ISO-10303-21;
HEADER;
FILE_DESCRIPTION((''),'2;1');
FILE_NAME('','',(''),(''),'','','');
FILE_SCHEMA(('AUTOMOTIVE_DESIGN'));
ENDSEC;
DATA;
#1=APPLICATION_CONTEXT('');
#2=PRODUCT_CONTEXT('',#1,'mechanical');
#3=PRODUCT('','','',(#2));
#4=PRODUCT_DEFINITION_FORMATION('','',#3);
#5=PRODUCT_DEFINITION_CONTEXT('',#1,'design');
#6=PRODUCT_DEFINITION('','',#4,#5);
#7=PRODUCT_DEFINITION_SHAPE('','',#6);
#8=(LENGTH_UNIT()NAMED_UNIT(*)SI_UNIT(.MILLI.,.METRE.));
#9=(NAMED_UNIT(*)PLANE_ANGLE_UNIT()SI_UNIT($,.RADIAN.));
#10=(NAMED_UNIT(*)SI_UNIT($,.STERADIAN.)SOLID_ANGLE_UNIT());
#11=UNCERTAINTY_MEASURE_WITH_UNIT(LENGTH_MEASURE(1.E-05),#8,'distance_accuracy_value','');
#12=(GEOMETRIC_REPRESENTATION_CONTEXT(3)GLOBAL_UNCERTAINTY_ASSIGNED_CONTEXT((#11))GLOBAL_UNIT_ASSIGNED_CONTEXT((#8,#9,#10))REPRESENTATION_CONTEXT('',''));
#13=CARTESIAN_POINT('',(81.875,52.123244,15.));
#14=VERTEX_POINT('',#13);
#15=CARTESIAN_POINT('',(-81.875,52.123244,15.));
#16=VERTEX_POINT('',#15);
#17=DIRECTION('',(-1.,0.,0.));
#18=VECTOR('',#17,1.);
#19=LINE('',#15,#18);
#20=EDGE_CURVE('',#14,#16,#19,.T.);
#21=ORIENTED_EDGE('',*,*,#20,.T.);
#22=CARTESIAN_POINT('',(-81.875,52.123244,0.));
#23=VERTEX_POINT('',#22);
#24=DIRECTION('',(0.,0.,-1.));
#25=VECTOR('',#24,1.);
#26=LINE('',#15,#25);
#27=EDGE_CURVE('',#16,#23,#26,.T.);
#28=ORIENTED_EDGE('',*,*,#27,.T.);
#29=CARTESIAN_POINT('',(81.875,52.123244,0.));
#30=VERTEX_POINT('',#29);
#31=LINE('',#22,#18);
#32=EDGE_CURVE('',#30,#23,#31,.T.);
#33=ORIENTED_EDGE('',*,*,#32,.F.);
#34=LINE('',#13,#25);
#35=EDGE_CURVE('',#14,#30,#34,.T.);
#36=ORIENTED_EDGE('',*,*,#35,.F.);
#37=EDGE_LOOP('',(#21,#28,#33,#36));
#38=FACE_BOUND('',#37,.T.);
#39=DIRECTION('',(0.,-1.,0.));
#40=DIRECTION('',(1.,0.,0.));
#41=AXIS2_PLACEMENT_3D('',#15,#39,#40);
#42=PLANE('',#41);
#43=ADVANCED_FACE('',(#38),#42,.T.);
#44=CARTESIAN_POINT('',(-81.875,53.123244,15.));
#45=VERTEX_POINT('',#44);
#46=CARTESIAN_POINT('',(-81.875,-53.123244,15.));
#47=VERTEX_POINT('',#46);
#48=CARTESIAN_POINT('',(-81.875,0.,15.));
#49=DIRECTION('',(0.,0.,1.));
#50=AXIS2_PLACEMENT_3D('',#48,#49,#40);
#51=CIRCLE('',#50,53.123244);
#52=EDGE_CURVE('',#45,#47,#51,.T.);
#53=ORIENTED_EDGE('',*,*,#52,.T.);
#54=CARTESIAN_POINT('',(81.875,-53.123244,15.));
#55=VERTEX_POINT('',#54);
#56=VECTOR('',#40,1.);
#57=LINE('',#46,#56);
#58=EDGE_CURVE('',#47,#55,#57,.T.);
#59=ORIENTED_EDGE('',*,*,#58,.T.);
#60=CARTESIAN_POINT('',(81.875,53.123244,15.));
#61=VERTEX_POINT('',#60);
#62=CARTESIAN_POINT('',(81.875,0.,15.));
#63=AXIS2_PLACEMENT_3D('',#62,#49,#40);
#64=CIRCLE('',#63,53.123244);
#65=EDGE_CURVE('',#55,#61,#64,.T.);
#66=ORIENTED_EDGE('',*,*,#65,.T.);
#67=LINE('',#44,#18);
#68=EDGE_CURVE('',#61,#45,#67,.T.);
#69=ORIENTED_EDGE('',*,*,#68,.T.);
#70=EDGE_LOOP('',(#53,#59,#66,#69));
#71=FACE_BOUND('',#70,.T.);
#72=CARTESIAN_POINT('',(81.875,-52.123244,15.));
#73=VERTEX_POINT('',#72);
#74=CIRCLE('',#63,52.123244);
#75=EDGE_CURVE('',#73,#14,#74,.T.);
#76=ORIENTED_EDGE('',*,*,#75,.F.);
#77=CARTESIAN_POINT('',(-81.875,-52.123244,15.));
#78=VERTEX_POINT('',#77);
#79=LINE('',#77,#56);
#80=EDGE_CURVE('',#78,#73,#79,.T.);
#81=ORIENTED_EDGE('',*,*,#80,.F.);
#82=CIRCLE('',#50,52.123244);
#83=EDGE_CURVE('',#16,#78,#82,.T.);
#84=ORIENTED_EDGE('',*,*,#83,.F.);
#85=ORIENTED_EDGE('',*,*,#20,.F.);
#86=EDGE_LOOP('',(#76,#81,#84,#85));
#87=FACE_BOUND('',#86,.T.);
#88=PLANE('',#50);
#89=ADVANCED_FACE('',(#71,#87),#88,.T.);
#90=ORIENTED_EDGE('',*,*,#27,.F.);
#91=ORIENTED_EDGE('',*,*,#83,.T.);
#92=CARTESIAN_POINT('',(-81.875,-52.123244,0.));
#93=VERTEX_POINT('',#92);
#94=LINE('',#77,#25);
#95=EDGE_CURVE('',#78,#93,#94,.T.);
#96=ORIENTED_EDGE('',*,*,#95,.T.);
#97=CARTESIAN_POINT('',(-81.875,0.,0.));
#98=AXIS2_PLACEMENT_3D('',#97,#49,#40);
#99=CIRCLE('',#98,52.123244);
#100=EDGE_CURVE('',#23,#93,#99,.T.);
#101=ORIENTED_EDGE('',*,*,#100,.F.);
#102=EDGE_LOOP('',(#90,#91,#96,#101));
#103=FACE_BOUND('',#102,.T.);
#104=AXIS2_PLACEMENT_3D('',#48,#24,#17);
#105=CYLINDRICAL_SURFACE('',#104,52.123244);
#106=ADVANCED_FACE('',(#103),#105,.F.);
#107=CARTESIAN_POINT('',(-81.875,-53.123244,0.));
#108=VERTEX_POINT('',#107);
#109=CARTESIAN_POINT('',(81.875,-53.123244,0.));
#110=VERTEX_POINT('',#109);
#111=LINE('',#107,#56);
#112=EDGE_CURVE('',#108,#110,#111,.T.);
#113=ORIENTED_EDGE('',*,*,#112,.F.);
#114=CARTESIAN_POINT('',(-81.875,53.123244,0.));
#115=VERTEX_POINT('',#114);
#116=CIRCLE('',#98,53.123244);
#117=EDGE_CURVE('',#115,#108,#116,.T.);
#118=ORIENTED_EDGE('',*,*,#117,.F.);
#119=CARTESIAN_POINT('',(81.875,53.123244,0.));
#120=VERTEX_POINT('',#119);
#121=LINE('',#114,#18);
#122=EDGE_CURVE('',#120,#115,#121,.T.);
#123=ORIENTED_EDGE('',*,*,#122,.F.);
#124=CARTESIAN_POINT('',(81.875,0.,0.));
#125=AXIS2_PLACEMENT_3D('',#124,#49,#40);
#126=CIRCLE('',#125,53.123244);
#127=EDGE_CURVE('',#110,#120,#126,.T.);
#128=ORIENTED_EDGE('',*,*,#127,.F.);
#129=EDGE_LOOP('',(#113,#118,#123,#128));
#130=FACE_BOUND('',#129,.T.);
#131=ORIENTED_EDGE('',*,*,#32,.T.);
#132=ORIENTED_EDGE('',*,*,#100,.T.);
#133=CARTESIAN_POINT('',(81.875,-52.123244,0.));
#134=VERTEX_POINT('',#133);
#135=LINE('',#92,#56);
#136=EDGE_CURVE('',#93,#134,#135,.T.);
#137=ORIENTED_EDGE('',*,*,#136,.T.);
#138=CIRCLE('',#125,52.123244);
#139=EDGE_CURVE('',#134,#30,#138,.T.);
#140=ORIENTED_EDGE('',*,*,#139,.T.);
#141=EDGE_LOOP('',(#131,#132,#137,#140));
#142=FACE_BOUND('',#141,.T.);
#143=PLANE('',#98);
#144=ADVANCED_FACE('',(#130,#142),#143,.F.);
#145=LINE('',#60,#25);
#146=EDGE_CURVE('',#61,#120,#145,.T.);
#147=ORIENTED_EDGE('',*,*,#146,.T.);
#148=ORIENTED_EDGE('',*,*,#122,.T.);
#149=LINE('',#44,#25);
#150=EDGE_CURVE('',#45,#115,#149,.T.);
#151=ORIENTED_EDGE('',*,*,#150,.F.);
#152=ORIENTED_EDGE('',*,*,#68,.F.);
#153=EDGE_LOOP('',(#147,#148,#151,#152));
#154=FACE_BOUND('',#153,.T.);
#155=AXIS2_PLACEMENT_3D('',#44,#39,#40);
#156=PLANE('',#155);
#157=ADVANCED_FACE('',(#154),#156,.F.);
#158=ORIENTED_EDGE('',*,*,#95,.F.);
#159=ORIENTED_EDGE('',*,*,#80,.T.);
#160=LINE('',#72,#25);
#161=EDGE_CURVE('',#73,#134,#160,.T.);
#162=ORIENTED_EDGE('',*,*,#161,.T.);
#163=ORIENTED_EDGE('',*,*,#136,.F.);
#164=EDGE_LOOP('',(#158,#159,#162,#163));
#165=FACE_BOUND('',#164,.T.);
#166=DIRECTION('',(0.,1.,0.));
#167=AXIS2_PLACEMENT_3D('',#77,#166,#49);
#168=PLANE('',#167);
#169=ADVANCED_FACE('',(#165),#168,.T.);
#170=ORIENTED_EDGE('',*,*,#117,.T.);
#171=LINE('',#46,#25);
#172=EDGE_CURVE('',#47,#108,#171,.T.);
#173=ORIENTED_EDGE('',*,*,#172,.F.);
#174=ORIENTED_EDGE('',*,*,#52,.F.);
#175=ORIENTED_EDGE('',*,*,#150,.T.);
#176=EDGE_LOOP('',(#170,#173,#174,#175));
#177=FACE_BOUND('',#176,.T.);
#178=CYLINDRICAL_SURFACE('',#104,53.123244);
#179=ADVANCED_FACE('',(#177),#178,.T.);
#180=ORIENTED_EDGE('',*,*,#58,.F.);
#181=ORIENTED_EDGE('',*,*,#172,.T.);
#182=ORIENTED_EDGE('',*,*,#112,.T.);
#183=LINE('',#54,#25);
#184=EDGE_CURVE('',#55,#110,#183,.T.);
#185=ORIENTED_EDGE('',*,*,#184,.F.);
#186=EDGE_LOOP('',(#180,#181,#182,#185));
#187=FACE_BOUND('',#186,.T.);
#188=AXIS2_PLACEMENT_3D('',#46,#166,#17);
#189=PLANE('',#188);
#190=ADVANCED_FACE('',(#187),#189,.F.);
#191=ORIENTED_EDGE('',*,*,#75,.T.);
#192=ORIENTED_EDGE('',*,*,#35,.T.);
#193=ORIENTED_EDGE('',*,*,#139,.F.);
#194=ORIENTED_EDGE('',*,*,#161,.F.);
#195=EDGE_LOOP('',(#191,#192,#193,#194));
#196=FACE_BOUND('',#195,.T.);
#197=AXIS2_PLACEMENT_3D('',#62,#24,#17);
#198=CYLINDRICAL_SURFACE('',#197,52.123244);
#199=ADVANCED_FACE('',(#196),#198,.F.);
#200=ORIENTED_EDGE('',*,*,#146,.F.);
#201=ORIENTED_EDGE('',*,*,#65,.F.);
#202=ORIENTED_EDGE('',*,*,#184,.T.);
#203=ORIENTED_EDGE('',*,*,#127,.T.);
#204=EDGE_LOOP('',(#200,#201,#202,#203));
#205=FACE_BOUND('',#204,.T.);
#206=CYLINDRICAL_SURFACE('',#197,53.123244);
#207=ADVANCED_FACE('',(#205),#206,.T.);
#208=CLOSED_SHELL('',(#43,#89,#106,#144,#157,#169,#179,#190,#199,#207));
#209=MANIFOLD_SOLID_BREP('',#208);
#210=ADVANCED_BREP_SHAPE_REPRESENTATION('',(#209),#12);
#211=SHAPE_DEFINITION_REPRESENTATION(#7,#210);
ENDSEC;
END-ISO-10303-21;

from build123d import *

# Parameters (mm, degrees)
BOSS_EXTRUDE1_DEPTH = 15


with BuildPart() as part:
    # Sketch1 → Boss-Extrude1 (new body)
    with BuildSketch(Plane.XY):
        with BuildLine():
            Line((-81.875, 53.123243863), (81.875, 53.123243863))
            ThreePointArc((81.875, 53.123243863), (134.998243863, 0), (81.875, -53.123243863))
            Line((81.875, -53.123243863), (-81.875, -53.123243863))
            ThreePointArc((-81.875, -53.123243863), (-134.998243863, 0), (-81.875, 53.123243863))
        make_face()
        with BuildLine():
            Line((-81.875, 52.123243863), (81.875, 52.123243863))
            ThreePointArc((81.875, 52.123243863), (133.998243863, 0), (81.875, -52.123243863))
            Line((81.875, -52.123243863), (-81.875, -52.123243863))
            ThreePointArc((-81.875, -52.123243863), (-133.998243863, 0), (-81.875, 52.123243863))
        make_face(mode=Mode.SUBTRACT)
    extrude(amount=BOSS_EXTRUDE1_DEPTH)


solid = part.part
